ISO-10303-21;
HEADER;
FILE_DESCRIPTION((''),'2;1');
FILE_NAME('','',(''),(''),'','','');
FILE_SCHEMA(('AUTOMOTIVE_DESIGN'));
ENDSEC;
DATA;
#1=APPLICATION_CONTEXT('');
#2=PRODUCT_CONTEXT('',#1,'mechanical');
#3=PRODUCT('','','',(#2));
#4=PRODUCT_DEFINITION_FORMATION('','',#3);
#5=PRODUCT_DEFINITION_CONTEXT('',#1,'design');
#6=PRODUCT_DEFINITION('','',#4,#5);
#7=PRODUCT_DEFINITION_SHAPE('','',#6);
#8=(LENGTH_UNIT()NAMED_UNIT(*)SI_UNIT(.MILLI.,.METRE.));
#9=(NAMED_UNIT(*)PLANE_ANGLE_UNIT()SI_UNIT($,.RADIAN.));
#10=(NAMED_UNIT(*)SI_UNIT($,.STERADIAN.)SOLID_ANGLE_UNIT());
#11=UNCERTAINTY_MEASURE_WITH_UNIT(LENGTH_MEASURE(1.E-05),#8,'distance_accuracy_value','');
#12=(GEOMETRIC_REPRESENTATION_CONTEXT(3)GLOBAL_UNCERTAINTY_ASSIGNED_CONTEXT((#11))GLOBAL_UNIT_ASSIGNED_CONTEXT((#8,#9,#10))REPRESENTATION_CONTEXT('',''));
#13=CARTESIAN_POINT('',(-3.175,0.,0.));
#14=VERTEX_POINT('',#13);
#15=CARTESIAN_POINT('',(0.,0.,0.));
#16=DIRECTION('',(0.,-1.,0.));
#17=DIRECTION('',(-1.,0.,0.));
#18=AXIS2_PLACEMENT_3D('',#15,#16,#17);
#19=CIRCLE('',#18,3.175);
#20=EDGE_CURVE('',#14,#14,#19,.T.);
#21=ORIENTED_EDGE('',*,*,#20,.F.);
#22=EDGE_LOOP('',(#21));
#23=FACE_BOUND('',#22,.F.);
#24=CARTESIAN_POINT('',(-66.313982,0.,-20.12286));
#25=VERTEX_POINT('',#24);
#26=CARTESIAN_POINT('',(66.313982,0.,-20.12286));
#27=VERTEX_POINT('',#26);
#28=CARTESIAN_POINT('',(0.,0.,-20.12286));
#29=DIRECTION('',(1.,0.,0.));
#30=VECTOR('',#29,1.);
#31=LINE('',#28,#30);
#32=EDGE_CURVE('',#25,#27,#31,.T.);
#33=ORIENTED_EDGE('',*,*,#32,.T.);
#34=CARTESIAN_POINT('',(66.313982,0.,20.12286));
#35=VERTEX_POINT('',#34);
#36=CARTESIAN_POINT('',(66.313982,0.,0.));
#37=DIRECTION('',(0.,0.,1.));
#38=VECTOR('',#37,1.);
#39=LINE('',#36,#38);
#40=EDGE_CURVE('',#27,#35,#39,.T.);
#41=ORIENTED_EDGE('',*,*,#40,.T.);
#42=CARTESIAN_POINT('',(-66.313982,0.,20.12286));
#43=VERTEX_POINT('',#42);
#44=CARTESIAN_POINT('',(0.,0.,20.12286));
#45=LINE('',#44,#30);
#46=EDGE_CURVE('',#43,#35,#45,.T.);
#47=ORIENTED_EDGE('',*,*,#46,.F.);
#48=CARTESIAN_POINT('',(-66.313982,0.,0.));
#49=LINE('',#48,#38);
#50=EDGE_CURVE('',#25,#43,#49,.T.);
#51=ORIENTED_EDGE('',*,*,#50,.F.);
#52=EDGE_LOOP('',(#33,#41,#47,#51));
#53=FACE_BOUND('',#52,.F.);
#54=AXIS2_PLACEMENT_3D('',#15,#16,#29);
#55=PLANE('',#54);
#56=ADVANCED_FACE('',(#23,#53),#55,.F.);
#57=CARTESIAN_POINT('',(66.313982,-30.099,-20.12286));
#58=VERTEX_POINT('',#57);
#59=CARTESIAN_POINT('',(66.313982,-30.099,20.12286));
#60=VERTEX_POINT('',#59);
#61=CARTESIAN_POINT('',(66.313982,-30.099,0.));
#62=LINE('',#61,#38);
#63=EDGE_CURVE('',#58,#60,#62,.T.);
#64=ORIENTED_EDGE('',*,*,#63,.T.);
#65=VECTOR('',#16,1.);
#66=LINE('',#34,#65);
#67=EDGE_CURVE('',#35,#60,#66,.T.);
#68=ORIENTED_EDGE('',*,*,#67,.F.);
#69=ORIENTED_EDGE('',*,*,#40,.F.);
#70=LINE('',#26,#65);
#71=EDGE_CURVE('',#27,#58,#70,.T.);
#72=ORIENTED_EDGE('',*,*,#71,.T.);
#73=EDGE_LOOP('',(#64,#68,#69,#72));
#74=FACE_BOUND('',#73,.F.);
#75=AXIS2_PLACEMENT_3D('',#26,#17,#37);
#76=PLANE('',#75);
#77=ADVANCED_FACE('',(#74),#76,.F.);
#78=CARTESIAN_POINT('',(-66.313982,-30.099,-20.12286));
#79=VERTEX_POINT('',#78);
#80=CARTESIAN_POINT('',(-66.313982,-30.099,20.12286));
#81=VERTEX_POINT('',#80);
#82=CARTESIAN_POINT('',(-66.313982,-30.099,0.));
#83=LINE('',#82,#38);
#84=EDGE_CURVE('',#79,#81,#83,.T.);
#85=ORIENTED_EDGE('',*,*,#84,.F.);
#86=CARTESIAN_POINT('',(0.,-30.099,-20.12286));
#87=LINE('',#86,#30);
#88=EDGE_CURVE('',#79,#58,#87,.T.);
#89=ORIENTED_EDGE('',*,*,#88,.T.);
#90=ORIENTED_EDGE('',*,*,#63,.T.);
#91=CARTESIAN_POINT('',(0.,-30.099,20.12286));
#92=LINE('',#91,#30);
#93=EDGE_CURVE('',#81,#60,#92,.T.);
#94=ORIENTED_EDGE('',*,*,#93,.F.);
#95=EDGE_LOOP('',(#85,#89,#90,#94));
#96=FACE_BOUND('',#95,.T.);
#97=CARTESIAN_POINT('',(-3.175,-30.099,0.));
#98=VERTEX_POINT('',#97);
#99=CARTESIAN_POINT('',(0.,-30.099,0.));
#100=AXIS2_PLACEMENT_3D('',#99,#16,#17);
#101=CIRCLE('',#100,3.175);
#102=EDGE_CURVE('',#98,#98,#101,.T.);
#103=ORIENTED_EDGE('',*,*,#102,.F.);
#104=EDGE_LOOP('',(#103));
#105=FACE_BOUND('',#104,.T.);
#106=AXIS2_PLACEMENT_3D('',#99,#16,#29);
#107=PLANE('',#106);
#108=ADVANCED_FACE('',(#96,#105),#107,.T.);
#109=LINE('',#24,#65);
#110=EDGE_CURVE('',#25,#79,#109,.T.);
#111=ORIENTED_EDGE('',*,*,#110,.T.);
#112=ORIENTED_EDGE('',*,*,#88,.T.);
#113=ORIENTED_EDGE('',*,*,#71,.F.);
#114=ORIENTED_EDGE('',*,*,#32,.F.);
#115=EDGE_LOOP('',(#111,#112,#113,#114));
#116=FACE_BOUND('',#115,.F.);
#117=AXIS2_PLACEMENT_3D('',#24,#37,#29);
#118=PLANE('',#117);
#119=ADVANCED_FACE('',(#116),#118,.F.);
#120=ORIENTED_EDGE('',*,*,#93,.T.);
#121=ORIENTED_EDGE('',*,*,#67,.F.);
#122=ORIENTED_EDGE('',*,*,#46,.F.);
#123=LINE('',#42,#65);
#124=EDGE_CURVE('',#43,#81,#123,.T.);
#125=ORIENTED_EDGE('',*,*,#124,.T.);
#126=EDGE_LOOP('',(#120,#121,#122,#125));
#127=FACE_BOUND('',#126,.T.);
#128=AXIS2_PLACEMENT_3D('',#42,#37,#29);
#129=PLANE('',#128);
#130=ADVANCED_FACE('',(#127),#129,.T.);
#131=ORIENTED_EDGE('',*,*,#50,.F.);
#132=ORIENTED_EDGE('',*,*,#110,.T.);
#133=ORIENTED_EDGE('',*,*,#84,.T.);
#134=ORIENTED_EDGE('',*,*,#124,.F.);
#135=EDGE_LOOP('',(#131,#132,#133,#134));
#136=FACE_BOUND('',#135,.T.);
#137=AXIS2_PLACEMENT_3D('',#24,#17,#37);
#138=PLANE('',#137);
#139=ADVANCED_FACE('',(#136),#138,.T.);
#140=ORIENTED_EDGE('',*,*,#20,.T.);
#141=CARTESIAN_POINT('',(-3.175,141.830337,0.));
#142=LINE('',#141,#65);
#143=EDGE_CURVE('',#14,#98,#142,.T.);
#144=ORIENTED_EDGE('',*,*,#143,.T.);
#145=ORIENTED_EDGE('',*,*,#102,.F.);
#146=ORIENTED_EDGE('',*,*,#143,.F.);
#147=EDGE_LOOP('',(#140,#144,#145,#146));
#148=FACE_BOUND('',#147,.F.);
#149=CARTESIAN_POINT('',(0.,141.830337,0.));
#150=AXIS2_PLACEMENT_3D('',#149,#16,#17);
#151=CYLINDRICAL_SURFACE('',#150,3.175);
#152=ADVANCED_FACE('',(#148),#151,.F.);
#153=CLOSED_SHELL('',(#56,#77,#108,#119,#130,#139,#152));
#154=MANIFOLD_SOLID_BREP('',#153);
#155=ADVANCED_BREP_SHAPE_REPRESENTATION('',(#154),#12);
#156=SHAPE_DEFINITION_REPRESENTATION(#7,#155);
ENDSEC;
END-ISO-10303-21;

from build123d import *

# Parameters (mm, degrees)
F0_W     = 132.627964
F0_H     = 40.24572
F1_DEPTH = 30.099
F2_D     = 6.35


with BuildPart() as f1:
    # F0 (on Front) → F1 (new body)
    with BuildSketch(Plane.XZ):
        Rectangle(F0_W, F0_H)
    extrude(amount=F1_DEPTH)

    # F2 (through all)
    with Locations(Plane(origin=(0, 0, 0), x_dir=(1, 0, 0), z_dir=(0, 1, 0))):
        with Locations((0, 0)):
            Hole(F2_D / 2)


solid = f1.part
